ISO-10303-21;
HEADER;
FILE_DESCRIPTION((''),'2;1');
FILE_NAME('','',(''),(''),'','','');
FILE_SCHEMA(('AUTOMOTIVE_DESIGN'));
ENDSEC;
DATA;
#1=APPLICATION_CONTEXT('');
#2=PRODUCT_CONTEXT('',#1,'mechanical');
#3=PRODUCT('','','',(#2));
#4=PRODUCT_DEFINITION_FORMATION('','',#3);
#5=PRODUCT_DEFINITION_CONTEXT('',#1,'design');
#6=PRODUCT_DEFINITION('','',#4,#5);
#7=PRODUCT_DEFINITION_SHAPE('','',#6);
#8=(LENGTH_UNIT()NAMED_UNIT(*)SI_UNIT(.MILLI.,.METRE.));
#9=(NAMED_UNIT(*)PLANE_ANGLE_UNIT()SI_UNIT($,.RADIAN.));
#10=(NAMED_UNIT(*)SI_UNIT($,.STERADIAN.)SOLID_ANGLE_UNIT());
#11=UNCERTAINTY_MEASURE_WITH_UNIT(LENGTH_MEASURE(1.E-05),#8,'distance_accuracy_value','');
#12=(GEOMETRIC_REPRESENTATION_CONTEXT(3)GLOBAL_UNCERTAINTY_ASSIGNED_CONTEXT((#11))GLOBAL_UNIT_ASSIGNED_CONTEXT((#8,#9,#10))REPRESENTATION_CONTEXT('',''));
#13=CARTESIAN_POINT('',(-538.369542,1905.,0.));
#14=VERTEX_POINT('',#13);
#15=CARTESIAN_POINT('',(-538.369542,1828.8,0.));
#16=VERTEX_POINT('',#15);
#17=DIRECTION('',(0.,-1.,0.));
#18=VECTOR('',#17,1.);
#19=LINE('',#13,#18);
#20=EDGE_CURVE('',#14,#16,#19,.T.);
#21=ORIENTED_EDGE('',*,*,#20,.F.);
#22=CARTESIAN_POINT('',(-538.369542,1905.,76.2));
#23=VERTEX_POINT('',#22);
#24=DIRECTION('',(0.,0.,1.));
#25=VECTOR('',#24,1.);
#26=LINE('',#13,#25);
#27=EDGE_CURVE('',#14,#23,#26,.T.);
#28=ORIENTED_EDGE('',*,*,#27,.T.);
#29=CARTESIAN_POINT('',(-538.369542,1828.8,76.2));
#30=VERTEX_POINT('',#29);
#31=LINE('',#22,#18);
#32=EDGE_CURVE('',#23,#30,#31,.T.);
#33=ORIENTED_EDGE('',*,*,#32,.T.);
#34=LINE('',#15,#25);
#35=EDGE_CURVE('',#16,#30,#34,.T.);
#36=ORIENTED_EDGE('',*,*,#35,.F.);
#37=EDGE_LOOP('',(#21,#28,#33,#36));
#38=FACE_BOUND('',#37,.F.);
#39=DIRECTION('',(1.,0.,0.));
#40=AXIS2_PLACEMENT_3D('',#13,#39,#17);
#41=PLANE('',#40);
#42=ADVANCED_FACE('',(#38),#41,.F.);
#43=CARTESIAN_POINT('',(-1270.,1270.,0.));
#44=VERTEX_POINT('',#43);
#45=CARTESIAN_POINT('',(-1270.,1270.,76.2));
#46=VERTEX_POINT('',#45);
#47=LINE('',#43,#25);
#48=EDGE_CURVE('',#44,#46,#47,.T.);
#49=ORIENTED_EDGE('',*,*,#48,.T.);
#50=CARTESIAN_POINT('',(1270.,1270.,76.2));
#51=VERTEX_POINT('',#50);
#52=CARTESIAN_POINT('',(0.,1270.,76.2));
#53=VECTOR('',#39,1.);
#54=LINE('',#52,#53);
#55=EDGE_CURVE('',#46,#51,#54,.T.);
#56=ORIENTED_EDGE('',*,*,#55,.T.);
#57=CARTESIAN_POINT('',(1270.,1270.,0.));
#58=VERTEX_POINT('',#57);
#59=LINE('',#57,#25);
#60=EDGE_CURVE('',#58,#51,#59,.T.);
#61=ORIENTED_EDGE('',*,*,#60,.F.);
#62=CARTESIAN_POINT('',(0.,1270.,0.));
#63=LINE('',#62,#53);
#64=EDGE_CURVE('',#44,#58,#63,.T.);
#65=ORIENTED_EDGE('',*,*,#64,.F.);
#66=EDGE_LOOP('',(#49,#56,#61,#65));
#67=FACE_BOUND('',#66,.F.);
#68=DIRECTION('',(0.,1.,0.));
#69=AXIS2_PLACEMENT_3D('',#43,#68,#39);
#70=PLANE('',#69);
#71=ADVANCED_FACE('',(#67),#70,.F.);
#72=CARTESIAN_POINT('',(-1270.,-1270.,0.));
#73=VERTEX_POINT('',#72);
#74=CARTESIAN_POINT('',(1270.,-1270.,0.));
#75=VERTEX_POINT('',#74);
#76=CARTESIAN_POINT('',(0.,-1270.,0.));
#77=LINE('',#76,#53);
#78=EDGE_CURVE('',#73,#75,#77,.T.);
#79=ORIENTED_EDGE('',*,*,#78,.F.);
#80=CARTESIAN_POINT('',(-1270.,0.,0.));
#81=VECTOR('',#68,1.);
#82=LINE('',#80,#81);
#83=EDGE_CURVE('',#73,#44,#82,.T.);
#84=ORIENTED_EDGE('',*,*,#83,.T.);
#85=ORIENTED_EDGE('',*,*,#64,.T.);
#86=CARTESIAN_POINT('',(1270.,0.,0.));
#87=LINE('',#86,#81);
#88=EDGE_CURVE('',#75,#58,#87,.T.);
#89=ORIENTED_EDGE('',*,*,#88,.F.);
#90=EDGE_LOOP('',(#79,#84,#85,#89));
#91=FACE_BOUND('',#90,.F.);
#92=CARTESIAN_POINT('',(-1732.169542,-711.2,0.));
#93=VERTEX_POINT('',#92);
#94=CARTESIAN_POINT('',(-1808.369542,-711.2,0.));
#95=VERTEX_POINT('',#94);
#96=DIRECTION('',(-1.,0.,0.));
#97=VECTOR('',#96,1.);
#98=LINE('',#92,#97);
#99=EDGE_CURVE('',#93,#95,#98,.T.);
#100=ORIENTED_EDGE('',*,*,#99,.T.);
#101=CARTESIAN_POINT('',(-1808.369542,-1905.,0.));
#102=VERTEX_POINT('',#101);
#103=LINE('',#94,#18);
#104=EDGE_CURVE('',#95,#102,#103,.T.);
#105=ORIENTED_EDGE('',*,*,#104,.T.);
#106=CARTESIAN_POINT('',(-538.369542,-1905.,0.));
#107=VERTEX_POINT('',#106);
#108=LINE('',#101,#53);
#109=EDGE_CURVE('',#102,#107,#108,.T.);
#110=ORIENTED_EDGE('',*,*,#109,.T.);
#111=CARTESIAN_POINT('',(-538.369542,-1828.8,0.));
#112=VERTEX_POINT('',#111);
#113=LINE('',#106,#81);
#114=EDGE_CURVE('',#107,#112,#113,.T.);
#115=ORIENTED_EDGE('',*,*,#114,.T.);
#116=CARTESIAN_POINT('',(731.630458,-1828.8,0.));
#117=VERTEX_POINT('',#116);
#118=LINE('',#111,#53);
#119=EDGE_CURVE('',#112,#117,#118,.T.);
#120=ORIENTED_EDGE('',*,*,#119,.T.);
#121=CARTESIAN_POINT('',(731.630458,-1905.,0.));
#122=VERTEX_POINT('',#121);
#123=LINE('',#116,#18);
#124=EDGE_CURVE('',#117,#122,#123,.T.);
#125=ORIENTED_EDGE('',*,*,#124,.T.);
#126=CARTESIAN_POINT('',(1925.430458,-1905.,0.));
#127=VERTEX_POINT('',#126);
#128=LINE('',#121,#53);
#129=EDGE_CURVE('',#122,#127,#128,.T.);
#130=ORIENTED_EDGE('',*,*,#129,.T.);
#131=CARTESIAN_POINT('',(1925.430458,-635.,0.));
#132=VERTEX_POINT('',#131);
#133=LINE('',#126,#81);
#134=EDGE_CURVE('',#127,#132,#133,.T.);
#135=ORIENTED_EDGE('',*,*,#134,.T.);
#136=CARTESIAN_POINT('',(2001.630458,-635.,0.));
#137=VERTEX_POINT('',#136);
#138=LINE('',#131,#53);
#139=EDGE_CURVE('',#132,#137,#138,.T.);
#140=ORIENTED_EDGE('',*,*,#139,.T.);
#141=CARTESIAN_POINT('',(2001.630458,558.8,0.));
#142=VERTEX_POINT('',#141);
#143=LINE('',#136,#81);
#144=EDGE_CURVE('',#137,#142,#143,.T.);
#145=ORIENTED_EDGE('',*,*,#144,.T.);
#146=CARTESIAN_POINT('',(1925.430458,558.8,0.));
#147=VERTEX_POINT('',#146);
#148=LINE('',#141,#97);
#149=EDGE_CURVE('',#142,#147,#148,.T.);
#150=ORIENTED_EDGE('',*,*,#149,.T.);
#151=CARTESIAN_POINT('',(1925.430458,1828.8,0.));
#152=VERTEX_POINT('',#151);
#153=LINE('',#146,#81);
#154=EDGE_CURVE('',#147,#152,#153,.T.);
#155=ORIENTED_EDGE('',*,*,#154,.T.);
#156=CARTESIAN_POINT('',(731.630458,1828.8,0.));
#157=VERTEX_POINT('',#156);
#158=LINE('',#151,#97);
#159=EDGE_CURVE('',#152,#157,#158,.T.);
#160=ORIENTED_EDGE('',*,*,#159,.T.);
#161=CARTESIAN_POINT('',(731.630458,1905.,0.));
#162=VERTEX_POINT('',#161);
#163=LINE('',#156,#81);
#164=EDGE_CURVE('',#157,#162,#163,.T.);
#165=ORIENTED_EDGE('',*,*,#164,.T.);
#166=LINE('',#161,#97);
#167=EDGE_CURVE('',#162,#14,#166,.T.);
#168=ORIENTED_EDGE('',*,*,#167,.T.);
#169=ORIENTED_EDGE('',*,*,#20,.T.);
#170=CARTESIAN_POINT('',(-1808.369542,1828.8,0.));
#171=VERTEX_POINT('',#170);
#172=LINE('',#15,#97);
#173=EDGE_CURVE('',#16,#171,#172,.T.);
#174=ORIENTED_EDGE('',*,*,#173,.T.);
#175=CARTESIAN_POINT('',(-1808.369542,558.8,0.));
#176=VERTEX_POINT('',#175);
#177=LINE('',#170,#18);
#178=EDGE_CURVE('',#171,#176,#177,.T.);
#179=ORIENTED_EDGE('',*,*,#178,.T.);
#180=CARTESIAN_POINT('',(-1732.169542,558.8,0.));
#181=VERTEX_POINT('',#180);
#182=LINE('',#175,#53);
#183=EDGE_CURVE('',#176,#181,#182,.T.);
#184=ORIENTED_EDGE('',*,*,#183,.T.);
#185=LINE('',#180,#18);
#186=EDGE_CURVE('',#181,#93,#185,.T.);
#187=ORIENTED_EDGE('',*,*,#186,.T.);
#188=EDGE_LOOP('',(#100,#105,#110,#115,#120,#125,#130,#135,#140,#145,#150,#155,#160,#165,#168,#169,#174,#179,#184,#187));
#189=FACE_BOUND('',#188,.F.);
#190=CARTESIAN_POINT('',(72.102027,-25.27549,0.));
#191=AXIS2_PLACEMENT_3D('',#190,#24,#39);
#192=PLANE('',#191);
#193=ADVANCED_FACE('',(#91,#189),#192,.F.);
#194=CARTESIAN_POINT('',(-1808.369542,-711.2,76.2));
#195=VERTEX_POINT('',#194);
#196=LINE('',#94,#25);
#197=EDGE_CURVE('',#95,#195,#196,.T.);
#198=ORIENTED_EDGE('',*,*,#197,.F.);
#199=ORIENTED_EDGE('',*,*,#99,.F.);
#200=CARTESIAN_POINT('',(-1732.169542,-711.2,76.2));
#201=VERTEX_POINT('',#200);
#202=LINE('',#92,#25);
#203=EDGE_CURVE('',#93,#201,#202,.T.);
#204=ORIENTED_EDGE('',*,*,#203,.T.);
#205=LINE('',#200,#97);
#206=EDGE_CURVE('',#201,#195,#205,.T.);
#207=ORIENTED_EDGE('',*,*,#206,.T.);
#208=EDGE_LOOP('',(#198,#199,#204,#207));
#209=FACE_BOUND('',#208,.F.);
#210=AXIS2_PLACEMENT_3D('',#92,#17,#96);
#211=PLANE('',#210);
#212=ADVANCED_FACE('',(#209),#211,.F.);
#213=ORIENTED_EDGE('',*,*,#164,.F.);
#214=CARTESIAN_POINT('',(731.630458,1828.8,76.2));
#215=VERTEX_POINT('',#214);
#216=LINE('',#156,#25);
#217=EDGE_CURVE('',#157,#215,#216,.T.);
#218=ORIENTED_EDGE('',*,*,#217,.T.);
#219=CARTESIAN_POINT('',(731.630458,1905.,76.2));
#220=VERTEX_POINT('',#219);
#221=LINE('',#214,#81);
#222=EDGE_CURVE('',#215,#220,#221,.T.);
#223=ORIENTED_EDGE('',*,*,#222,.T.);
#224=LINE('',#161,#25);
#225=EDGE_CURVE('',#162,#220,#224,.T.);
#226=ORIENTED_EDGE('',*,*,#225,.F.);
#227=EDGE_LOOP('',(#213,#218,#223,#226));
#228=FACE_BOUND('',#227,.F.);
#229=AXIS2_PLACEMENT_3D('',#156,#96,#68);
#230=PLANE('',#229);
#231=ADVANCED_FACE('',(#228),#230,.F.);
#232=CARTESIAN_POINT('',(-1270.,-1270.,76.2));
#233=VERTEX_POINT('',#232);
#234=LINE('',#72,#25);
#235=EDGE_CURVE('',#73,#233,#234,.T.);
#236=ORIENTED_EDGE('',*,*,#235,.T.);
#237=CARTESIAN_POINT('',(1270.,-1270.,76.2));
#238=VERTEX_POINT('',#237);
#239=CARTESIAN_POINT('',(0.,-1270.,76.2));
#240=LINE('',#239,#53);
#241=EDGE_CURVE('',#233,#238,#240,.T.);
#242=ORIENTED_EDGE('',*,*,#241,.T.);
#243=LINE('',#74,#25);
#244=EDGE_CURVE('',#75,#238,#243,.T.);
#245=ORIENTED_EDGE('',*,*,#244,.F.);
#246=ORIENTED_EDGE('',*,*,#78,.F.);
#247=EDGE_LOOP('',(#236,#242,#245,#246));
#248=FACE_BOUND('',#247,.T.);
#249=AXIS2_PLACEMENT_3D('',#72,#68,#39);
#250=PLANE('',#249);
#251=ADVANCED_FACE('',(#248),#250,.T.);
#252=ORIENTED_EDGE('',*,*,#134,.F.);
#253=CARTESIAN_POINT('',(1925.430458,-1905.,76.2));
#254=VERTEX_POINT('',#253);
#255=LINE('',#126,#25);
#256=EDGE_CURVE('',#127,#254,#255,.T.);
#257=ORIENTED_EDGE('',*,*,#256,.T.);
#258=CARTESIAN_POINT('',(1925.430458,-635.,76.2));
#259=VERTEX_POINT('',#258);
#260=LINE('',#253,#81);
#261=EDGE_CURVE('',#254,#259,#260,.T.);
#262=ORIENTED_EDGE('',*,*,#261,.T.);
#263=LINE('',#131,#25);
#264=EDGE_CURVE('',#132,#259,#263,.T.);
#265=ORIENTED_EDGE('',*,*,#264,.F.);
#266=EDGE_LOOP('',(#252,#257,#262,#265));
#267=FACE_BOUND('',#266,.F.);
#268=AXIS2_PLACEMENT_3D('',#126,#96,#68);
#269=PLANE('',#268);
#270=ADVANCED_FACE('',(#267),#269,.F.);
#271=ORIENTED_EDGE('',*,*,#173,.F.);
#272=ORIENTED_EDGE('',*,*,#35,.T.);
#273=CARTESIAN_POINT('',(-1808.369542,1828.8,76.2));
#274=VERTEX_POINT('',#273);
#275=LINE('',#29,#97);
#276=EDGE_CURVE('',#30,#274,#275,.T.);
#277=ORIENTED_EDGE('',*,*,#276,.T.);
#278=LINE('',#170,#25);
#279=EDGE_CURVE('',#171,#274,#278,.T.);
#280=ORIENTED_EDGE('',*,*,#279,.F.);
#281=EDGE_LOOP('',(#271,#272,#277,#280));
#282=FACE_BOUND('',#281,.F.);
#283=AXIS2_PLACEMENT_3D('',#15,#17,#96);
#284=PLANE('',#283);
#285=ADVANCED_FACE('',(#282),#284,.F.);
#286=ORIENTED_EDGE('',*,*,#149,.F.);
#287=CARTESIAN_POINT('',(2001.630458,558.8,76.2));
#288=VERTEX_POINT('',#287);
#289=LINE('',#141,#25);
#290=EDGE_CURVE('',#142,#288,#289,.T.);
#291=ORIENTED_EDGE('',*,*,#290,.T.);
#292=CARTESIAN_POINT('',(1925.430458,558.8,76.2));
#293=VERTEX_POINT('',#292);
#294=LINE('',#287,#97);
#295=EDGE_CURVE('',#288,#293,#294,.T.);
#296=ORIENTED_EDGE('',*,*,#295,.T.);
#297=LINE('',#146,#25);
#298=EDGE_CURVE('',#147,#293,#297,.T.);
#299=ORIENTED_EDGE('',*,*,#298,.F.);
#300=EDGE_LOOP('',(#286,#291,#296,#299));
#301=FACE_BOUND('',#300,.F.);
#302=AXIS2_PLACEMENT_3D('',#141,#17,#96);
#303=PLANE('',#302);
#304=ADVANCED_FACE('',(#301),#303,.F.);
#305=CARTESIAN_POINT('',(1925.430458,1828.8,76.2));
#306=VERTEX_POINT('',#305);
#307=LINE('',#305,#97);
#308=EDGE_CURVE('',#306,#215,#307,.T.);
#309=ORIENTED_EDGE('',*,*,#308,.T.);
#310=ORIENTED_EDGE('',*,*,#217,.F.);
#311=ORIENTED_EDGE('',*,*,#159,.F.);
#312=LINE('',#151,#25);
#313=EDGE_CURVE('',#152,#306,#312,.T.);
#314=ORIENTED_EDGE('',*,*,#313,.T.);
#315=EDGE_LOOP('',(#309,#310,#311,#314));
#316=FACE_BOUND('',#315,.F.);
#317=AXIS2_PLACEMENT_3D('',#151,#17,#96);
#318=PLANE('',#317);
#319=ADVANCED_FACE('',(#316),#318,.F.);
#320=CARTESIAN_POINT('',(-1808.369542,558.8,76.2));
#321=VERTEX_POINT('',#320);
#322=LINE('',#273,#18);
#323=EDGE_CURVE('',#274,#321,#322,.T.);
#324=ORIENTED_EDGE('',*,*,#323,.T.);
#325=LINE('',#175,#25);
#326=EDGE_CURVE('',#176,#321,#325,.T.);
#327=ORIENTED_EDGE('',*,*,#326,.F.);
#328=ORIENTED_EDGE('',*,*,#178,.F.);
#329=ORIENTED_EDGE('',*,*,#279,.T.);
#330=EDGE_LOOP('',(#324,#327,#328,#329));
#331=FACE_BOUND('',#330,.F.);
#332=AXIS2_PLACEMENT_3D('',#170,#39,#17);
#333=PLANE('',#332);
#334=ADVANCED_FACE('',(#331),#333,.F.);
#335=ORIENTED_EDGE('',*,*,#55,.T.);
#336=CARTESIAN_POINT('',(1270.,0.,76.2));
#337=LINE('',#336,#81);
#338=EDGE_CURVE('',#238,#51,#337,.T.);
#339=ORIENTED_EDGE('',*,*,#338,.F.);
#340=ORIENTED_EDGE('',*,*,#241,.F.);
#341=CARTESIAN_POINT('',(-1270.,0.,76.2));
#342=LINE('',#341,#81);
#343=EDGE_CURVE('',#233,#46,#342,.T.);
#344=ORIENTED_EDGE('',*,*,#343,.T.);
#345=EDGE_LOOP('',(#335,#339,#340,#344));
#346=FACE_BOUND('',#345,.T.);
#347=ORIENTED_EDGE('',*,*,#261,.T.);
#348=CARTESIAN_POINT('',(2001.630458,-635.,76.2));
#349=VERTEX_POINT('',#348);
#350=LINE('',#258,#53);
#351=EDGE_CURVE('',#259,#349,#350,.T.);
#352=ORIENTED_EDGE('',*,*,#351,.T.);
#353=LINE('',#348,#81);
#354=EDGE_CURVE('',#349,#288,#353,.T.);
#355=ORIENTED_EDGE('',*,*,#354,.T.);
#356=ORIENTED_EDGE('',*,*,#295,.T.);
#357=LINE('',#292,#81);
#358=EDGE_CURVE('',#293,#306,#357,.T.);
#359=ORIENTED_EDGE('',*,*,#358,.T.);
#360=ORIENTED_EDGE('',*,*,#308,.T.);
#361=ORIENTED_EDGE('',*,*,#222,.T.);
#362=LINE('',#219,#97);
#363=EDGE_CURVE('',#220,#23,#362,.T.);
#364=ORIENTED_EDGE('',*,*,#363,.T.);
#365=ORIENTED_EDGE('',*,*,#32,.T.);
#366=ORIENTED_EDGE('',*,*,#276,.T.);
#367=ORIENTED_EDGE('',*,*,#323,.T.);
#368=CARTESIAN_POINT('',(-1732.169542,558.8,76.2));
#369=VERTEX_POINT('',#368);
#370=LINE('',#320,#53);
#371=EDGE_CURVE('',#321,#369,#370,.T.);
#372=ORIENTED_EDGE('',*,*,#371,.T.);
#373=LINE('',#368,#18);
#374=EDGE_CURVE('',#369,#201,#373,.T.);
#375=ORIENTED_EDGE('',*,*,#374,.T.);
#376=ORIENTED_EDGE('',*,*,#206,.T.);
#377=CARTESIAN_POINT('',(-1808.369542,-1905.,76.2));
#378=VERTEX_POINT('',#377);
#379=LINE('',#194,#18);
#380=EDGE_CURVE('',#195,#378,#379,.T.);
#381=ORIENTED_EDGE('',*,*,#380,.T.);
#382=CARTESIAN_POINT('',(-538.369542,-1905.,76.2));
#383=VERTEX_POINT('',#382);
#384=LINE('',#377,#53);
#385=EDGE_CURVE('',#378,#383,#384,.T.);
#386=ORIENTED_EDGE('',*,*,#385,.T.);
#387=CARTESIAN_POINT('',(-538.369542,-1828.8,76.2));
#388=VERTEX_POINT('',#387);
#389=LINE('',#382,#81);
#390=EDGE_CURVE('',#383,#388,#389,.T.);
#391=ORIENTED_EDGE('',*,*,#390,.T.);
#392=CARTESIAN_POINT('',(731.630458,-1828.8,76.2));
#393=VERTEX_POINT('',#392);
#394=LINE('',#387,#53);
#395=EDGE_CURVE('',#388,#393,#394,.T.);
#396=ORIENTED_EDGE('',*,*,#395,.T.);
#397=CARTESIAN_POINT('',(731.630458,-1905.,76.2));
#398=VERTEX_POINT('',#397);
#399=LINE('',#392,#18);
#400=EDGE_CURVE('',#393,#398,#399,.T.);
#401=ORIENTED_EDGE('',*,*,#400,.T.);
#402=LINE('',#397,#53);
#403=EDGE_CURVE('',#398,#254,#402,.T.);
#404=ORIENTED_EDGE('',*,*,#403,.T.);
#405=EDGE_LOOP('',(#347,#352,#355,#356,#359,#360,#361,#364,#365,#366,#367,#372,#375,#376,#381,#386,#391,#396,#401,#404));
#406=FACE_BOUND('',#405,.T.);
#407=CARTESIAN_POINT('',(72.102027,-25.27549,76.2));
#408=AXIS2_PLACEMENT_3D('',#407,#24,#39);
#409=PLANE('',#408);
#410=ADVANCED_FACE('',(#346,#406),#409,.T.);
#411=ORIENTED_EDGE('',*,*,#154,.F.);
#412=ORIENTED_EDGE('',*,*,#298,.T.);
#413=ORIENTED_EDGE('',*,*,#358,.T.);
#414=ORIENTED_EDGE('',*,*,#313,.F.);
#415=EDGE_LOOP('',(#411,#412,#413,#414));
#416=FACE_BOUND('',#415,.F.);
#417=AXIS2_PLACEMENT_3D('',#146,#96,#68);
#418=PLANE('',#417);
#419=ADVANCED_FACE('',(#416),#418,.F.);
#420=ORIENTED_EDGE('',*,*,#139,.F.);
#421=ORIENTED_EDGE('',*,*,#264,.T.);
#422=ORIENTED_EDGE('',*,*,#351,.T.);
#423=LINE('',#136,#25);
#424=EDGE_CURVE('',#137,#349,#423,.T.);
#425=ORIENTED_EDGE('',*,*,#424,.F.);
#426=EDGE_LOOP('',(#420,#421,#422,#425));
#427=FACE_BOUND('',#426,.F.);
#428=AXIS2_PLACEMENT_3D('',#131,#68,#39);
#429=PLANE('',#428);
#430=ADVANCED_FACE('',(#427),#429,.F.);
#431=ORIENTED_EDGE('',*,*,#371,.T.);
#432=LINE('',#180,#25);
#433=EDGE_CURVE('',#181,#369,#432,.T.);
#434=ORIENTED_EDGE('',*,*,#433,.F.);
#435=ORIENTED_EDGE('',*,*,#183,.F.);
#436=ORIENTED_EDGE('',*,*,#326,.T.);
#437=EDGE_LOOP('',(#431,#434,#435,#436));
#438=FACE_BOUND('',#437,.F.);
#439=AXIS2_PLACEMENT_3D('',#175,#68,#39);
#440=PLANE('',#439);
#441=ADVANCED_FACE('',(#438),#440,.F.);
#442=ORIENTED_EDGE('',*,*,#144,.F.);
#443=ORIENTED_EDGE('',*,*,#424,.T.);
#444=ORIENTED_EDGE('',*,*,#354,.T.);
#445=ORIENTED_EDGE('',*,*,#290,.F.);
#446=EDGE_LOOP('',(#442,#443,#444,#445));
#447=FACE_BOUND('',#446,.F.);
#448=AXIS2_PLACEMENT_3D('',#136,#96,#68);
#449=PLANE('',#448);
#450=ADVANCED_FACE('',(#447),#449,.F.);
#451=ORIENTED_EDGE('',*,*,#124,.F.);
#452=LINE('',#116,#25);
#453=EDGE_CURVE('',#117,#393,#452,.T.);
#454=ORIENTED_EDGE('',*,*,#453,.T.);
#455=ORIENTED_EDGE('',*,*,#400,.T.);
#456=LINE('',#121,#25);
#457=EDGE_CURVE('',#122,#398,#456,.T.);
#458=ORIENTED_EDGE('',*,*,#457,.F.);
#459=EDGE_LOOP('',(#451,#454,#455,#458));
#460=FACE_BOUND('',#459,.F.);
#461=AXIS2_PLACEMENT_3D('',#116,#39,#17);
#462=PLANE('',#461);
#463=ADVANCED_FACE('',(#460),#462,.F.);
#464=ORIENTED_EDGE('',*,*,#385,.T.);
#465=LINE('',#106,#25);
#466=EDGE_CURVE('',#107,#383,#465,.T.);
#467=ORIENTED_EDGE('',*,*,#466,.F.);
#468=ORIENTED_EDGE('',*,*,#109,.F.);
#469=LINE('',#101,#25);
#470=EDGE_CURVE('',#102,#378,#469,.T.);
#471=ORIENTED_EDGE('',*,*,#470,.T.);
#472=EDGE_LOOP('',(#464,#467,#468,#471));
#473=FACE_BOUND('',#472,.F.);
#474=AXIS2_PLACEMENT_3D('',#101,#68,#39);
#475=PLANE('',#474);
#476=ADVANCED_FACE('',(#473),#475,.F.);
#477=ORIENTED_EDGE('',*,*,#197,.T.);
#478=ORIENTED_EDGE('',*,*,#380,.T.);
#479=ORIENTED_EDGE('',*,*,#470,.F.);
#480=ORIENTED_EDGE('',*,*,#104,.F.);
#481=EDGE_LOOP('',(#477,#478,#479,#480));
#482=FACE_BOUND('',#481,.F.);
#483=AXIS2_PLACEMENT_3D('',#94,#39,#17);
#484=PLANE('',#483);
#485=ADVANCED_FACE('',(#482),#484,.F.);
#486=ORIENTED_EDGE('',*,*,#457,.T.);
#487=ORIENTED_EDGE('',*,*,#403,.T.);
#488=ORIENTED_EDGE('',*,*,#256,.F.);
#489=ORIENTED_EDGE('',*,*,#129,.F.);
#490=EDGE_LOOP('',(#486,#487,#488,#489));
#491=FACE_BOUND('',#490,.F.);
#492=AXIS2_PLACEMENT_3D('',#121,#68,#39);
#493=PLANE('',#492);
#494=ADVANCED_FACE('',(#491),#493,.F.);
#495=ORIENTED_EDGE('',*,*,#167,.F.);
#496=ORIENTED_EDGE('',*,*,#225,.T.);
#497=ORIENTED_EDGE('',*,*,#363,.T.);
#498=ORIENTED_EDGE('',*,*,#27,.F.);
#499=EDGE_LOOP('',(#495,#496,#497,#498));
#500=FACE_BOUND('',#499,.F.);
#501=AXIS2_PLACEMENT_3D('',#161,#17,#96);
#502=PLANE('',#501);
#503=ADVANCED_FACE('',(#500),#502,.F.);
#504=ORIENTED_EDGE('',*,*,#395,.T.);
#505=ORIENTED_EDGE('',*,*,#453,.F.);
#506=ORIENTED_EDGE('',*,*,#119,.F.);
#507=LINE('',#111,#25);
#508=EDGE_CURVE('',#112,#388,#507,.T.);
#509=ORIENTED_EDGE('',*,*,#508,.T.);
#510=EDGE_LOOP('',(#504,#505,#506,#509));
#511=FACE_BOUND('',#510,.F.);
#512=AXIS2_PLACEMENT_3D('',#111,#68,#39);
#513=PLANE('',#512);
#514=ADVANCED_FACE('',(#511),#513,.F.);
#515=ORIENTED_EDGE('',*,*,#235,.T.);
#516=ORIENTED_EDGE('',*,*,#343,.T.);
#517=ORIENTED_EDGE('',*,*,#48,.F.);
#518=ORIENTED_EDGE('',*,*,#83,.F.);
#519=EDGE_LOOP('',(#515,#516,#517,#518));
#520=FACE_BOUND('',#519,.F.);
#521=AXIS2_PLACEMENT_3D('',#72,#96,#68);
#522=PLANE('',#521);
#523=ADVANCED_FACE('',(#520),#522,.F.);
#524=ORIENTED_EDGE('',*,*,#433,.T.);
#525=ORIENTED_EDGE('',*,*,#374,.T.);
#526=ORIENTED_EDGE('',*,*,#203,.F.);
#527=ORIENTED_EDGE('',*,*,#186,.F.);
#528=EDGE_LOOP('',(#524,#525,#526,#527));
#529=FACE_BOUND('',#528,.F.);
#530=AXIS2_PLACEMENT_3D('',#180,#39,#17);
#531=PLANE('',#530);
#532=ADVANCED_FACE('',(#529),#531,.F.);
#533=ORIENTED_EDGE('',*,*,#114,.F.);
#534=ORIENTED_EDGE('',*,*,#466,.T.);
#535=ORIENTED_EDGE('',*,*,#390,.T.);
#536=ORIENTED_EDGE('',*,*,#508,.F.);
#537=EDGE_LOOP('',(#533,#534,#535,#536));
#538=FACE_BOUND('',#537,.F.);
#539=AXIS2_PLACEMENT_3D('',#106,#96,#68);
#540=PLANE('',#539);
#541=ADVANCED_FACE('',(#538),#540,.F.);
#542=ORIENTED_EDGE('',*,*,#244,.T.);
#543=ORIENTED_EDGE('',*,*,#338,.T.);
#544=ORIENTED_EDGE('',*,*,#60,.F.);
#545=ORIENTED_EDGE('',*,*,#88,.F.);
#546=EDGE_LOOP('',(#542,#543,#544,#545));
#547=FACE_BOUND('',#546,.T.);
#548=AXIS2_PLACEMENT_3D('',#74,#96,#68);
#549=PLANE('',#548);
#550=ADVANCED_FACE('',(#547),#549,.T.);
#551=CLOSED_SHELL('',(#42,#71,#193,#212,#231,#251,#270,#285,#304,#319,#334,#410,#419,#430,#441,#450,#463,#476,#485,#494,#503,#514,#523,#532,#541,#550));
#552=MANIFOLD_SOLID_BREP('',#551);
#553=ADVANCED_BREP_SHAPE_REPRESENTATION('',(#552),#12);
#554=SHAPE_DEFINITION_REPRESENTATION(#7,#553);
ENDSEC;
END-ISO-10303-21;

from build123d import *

# Parameters (mm, degrees)
F0_W     = 2540
F0_H     = 2540
F1_DEPTH = 76.2


with BuildPart() as f1:
    # F0 (on Top) → F1 (new body)
    with BuildSketch(Plane.XY):
        Polygon((731.630458, 1828.8), (731.630458, 1905), (-538.369542, 1905), (-538.369542, 1828.8), (-1808.369542, 1828.8), (-1808.369542, 558.8), (-1732.169542, 558.8), (-1732.169542, -711.2), (-1808.369542, -711.2), (-1808.369542, -1905), (-538.369542, -1905), (-538.369542, -1828.8), (731.630458, -1828.8), (731.630458, -1905), (1925.430458, -1905), (1925.430458, -635), (2001.630458, -635), (2001.630458, 558.8), (1925.430458, 558.8), (1925.430458, 1828.8), align=None)
        Rectangle(F0_W, F0_H, mode=Mode.SUBTRACT)
    extrude(amount=F1_DEPTH)


solid = f1.part
